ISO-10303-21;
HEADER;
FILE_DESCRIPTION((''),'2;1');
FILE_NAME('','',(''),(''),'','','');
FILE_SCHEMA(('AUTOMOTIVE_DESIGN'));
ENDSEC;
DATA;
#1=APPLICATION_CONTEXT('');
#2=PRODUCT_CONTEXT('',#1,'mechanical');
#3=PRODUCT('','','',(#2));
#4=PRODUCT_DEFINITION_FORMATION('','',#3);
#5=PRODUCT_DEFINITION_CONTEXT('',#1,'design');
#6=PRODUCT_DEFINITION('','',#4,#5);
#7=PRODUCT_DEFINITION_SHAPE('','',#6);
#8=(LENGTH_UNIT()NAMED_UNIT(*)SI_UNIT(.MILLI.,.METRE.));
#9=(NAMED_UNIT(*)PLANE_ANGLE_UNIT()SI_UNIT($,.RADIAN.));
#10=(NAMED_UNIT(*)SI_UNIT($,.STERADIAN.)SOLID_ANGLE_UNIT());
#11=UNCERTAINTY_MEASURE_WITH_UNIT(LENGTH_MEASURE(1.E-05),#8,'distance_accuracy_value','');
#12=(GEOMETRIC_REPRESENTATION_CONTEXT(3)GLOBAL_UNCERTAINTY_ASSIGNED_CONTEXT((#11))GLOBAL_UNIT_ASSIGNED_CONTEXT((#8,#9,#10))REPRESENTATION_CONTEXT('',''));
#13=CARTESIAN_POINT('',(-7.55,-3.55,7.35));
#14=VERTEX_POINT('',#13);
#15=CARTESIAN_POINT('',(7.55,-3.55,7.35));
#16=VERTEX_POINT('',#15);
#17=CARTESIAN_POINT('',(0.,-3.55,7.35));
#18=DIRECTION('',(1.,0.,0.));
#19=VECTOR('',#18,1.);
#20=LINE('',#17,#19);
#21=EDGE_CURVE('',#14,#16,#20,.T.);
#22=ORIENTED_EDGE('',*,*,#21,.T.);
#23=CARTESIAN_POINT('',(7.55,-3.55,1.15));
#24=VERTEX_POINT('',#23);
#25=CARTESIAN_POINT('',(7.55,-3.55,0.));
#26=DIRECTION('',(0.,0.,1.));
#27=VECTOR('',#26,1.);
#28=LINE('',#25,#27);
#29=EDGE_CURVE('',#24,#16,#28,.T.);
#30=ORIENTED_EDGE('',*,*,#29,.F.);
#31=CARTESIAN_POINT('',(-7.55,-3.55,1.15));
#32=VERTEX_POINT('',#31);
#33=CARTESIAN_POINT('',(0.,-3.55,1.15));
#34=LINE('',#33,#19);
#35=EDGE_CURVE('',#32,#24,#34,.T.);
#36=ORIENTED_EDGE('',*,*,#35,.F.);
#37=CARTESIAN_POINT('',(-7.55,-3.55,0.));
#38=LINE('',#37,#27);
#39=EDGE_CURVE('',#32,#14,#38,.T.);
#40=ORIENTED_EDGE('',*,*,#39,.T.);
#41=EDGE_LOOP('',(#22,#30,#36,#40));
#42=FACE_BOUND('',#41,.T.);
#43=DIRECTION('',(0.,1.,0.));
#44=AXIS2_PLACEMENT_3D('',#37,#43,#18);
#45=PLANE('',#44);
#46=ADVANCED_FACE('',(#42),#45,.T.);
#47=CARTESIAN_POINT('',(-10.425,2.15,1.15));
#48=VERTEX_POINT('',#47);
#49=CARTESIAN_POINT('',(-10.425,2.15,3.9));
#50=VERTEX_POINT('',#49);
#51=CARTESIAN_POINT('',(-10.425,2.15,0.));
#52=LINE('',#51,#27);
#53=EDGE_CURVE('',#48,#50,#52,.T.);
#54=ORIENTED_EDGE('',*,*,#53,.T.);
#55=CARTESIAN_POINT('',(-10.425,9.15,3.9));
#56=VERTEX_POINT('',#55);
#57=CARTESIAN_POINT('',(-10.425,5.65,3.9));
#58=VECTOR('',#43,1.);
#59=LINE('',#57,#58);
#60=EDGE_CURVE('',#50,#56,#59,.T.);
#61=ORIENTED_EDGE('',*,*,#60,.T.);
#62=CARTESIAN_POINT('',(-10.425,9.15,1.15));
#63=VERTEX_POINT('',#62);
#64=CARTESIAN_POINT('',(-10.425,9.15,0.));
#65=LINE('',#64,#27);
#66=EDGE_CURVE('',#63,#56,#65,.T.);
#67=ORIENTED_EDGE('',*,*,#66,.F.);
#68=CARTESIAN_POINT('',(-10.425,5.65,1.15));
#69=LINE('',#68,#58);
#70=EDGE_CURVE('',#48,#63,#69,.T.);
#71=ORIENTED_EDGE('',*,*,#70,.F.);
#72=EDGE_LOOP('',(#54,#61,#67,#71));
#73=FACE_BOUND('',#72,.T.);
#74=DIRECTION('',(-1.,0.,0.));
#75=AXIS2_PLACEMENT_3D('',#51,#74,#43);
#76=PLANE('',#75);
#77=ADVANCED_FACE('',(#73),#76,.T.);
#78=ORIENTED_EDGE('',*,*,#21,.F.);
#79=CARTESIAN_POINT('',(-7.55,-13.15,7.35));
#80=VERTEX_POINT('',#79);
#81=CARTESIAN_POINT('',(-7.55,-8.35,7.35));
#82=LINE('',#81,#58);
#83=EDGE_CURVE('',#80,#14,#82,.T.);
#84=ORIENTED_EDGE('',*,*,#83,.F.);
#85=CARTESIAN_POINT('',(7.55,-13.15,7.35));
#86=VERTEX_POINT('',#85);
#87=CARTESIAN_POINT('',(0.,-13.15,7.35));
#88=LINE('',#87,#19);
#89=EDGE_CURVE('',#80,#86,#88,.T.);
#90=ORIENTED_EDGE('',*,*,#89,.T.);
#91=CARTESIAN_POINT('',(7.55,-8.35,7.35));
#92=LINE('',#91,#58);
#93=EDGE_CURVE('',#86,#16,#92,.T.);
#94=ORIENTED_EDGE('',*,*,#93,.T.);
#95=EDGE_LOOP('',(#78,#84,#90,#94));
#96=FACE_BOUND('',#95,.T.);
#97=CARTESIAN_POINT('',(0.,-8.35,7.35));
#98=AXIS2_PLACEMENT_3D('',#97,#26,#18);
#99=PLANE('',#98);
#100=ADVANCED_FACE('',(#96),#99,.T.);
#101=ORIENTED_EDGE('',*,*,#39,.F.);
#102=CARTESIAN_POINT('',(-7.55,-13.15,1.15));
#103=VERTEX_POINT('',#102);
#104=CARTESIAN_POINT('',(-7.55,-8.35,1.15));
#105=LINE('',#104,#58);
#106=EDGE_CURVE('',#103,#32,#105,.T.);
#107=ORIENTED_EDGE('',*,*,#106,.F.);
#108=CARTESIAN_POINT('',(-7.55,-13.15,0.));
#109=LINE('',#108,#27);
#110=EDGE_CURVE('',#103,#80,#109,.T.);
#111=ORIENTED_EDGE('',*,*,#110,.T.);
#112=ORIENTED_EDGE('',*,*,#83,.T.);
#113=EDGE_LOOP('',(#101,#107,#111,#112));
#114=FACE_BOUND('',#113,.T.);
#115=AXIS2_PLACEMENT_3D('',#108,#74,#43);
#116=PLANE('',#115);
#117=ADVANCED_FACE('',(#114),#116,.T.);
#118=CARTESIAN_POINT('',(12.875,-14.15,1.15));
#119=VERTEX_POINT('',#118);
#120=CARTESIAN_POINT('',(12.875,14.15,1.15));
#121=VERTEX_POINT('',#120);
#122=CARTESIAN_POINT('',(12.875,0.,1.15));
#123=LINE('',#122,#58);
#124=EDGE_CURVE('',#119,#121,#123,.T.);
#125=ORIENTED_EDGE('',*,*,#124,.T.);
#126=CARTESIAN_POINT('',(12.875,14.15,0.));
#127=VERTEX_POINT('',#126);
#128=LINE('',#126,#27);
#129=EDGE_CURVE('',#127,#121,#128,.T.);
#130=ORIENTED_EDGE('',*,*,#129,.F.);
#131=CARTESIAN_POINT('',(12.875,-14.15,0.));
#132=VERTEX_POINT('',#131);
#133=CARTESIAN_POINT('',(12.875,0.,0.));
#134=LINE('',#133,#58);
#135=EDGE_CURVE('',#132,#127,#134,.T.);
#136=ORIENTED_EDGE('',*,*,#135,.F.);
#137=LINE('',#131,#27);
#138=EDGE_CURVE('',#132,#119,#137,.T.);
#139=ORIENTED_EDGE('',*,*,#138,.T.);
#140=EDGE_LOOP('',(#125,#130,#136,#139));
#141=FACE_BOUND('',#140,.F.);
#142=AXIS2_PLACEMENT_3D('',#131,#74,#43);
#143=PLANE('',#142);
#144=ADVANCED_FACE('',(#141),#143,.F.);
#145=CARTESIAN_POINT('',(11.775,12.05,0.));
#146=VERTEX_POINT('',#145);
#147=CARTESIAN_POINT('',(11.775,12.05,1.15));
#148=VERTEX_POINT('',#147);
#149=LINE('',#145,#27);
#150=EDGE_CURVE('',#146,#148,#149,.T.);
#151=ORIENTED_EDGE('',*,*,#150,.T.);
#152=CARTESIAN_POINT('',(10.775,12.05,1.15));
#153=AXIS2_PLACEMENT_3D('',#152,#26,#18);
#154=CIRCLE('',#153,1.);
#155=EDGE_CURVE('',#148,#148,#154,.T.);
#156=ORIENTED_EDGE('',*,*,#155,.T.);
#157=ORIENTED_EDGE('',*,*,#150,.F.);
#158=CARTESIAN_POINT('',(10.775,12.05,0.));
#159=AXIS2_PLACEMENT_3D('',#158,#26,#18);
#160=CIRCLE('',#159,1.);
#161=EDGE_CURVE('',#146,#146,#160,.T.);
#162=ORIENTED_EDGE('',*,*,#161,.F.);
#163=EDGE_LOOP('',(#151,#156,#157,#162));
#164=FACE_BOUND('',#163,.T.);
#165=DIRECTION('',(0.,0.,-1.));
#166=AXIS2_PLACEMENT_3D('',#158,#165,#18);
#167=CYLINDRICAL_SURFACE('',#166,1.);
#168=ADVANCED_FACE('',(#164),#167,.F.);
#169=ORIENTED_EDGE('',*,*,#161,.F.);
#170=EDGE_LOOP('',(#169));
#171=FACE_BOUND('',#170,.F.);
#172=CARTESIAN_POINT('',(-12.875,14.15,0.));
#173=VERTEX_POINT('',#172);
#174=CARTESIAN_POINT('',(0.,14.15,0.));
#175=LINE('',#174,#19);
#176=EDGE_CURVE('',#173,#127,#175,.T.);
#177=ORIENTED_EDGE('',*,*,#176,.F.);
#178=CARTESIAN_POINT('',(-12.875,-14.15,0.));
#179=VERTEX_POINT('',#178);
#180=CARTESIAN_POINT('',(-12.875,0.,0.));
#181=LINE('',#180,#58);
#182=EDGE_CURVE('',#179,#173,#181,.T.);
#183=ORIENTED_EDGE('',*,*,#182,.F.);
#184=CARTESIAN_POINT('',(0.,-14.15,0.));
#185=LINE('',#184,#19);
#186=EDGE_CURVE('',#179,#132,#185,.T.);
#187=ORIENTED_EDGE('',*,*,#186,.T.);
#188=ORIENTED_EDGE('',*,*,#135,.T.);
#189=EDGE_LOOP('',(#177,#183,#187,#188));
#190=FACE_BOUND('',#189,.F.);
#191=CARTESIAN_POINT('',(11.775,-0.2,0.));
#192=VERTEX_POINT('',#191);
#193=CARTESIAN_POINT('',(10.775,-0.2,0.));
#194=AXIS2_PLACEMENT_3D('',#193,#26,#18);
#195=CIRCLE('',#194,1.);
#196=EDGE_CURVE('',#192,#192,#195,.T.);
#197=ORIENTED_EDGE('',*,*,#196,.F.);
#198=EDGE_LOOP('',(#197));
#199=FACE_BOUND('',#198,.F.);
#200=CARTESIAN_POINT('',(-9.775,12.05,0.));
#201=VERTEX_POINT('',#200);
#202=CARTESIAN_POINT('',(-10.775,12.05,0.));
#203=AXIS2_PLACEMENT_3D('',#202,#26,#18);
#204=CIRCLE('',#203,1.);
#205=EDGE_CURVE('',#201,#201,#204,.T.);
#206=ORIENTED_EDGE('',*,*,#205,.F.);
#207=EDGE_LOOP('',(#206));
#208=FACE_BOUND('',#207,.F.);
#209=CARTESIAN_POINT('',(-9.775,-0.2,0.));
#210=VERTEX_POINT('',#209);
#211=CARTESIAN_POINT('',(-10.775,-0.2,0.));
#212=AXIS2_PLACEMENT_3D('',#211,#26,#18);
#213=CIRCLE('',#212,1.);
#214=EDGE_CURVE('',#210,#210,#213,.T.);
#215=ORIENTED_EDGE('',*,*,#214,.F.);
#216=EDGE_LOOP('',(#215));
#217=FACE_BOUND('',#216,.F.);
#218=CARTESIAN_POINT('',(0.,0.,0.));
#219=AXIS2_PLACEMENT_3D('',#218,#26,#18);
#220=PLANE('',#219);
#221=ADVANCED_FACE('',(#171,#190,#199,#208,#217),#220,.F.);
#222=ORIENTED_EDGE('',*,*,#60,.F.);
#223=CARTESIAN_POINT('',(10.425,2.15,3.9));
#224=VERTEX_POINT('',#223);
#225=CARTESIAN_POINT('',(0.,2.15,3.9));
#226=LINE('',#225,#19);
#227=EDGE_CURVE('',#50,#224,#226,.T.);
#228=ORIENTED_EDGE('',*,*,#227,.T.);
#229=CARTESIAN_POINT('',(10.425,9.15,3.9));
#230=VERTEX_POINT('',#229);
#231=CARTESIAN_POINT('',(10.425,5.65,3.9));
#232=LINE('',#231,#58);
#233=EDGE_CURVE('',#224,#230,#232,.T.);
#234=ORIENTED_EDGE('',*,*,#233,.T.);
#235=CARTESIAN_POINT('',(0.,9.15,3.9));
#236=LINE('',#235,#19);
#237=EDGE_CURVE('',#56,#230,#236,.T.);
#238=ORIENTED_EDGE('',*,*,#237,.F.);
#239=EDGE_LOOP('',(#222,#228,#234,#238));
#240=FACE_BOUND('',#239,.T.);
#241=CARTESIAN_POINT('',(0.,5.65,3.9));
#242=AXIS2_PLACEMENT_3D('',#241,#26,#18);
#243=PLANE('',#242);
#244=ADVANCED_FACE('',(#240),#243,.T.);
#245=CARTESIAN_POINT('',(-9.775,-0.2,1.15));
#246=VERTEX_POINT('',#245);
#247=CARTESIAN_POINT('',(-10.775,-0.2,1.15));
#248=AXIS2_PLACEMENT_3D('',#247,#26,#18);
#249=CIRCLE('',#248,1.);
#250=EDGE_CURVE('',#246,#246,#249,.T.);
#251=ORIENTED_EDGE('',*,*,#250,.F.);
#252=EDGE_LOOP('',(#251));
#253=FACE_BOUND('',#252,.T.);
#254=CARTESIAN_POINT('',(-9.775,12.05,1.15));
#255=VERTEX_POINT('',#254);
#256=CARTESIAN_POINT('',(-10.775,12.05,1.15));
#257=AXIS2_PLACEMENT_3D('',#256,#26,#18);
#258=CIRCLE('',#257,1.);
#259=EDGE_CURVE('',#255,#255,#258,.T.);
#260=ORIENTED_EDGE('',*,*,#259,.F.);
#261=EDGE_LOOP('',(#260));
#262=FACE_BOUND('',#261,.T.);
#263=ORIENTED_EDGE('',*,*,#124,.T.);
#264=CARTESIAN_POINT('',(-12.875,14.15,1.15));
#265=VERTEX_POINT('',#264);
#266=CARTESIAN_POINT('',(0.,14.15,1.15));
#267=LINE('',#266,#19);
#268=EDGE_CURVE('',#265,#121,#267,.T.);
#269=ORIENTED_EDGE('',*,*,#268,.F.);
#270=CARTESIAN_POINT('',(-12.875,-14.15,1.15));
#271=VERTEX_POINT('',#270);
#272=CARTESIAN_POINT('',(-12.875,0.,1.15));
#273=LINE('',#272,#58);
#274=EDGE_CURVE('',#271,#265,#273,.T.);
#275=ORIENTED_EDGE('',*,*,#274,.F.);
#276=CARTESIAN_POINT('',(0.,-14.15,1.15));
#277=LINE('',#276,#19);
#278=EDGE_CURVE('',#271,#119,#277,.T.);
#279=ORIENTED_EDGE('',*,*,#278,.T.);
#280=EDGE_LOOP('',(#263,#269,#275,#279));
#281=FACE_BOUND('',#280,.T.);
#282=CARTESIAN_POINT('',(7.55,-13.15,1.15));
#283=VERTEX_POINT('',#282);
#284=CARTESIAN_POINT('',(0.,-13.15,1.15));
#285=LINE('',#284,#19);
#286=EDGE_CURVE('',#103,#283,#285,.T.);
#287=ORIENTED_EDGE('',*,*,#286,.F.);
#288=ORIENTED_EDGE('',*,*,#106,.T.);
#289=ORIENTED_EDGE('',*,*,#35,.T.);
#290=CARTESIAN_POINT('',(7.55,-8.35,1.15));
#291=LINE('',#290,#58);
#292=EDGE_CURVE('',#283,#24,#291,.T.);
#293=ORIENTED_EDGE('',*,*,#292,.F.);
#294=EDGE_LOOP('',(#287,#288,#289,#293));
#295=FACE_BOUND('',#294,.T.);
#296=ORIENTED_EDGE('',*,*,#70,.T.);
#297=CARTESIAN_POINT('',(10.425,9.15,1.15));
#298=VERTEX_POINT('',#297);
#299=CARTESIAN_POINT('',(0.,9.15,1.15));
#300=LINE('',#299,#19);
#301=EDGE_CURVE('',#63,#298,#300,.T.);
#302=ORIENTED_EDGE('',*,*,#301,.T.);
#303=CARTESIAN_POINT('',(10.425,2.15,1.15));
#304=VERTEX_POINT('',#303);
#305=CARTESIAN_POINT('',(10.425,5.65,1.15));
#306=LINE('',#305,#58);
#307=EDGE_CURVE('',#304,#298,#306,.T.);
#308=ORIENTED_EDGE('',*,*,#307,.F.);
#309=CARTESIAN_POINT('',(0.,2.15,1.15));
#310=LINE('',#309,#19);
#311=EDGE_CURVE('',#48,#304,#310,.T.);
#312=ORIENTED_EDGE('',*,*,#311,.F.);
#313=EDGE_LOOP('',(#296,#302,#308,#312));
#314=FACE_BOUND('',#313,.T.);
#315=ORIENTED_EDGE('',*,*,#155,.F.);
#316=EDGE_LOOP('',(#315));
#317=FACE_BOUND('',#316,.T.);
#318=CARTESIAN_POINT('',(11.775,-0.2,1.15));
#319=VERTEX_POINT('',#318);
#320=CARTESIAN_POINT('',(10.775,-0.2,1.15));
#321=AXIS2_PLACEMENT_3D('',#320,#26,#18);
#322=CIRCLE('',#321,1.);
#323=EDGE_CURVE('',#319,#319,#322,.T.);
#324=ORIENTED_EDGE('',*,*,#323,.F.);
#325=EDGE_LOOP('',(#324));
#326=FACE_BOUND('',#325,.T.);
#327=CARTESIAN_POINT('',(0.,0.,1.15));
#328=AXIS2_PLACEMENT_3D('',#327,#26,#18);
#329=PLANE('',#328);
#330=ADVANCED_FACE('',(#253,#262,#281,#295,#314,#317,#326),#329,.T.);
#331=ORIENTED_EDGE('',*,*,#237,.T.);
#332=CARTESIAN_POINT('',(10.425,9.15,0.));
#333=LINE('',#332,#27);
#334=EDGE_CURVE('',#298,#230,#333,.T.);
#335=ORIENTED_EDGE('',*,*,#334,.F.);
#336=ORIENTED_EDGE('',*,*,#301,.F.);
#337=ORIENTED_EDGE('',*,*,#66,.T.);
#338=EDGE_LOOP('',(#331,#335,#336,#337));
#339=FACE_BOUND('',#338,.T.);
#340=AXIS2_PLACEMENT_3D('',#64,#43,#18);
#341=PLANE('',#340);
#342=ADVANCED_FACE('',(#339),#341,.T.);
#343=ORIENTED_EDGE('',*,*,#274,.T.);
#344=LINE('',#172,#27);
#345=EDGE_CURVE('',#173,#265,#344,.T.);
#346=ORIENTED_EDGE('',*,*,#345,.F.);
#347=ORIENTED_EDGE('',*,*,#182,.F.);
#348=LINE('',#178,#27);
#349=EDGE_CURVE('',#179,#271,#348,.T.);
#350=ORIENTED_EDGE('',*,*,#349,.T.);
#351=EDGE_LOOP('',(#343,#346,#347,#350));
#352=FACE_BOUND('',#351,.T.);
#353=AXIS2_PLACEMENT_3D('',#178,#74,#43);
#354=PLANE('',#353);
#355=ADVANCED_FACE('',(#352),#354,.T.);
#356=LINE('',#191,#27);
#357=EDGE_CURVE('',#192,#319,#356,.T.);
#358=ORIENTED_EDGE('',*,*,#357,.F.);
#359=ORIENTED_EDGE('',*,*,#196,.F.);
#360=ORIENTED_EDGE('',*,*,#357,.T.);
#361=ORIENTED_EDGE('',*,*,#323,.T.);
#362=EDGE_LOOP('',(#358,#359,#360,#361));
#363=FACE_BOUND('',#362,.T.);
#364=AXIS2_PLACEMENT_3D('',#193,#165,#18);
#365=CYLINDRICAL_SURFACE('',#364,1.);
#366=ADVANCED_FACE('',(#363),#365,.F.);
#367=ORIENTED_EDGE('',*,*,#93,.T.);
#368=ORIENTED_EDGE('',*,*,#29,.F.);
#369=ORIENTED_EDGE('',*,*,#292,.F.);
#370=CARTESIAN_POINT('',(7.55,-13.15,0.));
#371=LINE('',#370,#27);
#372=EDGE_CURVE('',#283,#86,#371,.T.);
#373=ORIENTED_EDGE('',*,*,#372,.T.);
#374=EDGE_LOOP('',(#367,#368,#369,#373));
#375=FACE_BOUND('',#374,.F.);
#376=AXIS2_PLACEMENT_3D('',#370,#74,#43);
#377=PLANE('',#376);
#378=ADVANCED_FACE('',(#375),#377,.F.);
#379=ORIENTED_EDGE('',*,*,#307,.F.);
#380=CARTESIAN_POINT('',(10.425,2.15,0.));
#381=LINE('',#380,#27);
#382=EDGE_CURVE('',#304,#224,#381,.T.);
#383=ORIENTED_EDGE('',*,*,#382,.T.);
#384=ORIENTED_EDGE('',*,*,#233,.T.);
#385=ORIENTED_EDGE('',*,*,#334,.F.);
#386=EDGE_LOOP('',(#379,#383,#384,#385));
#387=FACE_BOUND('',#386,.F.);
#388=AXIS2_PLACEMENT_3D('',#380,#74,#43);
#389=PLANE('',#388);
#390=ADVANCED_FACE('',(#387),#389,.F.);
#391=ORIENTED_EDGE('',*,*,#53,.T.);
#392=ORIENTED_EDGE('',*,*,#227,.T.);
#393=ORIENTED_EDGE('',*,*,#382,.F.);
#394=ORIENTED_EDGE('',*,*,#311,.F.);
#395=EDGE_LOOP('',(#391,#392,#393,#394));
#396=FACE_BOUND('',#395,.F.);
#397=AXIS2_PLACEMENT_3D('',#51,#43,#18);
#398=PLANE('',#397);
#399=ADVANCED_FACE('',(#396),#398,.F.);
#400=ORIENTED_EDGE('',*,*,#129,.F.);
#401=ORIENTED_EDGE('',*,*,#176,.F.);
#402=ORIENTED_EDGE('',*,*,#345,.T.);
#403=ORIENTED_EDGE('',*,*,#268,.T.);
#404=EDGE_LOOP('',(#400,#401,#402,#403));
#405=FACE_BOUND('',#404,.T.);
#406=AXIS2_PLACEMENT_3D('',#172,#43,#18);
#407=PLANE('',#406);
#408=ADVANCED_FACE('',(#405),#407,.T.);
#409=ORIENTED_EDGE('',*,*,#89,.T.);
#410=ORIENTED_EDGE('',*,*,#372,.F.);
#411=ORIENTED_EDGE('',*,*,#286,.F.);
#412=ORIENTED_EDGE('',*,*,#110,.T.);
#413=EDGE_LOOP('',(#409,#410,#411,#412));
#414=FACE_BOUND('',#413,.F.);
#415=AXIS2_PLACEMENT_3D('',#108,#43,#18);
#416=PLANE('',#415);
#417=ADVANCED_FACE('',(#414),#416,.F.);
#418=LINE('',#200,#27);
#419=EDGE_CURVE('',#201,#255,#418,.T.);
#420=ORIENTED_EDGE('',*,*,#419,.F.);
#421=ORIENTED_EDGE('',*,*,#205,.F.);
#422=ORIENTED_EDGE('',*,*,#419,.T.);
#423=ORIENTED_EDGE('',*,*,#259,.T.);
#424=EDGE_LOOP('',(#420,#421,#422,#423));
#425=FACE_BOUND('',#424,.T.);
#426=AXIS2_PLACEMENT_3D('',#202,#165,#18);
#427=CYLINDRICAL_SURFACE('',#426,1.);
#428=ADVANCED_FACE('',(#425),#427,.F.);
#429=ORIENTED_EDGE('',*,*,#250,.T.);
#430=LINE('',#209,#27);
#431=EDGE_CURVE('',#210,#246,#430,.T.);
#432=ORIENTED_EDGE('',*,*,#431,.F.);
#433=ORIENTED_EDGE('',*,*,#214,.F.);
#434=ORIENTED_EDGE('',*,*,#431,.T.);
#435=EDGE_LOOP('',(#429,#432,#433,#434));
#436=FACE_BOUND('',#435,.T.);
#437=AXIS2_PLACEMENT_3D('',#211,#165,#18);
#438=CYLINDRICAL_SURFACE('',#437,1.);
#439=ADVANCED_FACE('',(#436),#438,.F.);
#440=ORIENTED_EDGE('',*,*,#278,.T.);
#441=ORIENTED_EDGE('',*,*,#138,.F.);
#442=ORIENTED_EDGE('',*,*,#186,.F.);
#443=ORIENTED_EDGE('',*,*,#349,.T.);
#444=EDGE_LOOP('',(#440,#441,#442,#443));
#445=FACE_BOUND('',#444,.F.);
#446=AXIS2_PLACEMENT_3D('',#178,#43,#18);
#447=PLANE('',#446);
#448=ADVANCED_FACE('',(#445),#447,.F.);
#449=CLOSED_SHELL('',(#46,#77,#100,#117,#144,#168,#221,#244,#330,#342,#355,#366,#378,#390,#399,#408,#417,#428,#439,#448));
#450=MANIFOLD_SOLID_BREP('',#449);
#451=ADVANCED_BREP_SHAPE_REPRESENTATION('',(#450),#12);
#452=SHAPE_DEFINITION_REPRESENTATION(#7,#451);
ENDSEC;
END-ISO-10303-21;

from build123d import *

# Parameters (mm, degrees)
F0_W     = 25.75
F0_H     = 28.3
F0_W_2   = 15.1
F0_H_2   = 9.6
F0_R     = 1
F0_W_3   = 20.85
F0_H_3   = 7
F1_DEPTH = 1.15
F2_DEPTH = 3.9
F3_DEPTH = 7.35


with BuildPart() as f1:
    # F0 (on Top) → F1 (new body)
    with BuildSketch(Plane.XY):
        Rectangle(F0_W, F0_H)
        with Locations((0, -8.35)):
            Rectangle(F0_W_2, F0_H_2, mode=Mode.SUBTRACT)
        with Locations((-10.775, -0.2)):
            Circle(F0_R, mode=Mode.SUBTRACT)
        with Locations((10.775, -0.2)):
            Circle(F0_R, mode=Mode.SUBTRACT)
        with Locations((0, 5.65)):
            Rectangle(F0_W_3, F0_H_3, mode=Mode.SUBTRACT)
        with Locations((-10.775, 12.05)):
            Circle(F0_R, mode=Mode.SUBTRACT)
        with Locations((10.775, 12.05)):
            Circle(F0_R, mode=Mode.SUBTRACT)
    extrude(amount=F1_DEPTH)

    # F0 (on Top) → F2 (join)
    with BuildSketch(Plane.XY):
        with Locations((0, 5.65)):
            Rectangle(F0_W_3, F0_H_3)
    extrude(amount=F2_DEPTH)

    # F0 (on Top) → F3 (join)
    with BuildSketch(Plane.XY):
        with Locations((0, -8.35)):
            Rectangle(F0_W_2, F0_H_2)
    extrude(amount=F3_DEPTH)


solid = f1.part
